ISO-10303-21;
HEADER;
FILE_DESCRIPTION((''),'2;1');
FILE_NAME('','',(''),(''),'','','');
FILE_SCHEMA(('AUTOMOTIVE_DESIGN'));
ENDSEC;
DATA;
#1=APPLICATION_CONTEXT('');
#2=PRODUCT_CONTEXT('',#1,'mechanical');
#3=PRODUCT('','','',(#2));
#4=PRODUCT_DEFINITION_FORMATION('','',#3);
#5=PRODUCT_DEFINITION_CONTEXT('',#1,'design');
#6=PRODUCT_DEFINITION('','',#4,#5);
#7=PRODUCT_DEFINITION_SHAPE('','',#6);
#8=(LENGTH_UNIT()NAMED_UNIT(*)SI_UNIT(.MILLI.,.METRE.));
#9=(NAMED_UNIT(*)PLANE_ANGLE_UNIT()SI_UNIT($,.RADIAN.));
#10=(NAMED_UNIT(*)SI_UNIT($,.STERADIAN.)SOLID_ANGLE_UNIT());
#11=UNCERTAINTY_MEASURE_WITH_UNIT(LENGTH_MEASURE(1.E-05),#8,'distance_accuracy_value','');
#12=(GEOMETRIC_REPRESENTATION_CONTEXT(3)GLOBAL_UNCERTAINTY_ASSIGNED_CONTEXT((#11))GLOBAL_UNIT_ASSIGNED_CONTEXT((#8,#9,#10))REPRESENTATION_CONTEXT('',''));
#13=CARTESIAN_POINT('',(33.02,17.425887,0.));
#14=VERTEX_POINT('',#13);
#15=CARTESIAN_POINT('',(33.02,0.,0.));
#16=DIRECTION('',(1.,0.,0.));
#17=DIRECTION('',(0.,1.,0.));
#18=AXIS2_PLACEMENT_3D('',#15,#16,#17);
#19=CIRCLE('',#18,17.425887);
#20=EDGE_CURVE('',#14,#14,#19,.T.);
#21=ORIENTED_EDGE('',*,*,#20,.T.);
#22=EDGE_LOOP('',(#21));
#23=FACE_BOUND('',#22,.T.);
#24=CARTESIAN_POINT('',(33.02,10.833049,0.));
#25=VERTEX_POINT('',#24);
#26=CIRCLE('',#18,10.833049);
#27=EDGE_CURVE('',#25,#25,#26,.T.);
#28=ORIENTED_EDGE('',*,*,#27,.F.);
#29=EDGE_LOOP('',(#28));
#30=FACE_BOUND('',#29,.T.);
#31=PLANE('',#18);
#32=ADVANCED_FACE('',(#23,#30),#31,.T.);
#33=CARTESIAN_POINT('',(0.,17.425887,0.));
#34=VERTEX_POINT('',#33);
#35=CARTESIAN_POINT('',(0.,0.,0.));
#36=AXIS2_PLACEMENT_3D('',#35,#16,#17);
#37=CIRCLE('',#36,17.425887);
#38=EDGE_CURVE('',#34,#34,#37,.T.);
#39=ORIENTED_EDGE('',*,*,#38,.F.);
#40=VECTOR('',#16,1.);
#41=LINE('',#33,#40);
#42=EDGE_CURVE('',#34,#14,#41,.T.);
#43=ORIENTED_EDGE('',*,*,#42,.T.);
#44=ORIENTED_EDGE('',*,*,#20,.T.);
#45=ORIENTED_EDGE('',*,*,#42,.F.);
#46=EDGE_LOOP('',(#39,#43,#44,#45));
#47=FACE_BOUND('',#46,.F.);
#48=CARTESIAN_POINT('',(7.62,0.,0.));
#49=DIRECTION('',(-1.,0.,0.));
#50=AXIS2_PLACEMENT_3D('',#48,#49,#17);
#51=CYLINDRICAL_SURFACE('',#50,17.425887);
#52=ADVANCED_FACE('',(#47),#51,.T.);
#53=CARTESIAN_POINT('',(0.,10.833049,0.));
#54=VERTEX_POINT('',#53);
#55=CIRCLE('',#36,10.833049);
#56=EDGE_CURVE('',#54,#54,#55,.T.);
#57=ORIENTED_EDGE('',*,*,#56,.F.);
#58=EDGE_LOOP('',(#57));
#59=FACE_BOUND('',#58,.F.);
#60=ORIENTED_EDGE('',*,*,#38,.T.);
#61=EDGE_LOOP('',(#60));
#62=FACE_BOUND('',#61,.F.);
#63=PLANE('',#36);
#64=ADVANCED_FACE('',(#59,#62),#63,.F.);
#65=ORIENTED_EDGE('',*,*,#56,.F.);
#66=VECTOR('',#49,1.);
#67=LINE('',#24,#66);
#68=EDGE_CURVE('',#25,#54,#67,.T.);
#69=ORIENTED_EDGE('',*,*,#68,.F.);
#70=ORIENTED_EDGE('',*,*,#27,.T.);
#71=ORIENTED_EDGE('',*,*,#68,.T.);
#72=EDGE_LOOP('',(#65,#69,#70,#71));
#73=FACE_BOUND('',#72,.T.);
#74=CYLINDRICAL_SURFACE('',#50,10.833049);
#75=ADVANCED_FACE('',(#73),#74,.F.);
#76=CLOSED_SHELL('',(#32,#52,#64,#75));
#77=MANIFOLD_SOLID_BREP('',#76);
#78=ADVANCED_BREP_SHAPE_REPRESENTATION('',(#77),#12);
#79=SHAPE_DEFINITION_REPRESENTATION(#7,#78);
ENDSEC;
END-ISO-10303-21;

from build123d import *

# Parameters (mm, degrees)
F0_R        = 17.425887
F0_R_2      = 10.833049
F1_DEPTH    = 7.62
F1_FACE_R   = 17.425887
F1_FACE_R_2 = 10.833049
F2_DEPTH    = 25.4


with BuildPart() as f1:
    # F0 (on Right) → F1 (new body)
    with BuildSketch(Plane.YZ):
        Circle(F0_R)
        Circle(F0_R_2, mode=Mode.SUBTRACT)
    extrude(amount=F1_DEPTH)

    # F1_face (on face) → F2 (join)
    with BuildSketch(Plane.YZ.offset(7.62)):
        Circle(F1_FACE_R)
        Circle(F1_FACE_R_2, mode=Mode.SUBTRACT)
    extrude(amount=F2_DEPTH)


solid = f1.part
